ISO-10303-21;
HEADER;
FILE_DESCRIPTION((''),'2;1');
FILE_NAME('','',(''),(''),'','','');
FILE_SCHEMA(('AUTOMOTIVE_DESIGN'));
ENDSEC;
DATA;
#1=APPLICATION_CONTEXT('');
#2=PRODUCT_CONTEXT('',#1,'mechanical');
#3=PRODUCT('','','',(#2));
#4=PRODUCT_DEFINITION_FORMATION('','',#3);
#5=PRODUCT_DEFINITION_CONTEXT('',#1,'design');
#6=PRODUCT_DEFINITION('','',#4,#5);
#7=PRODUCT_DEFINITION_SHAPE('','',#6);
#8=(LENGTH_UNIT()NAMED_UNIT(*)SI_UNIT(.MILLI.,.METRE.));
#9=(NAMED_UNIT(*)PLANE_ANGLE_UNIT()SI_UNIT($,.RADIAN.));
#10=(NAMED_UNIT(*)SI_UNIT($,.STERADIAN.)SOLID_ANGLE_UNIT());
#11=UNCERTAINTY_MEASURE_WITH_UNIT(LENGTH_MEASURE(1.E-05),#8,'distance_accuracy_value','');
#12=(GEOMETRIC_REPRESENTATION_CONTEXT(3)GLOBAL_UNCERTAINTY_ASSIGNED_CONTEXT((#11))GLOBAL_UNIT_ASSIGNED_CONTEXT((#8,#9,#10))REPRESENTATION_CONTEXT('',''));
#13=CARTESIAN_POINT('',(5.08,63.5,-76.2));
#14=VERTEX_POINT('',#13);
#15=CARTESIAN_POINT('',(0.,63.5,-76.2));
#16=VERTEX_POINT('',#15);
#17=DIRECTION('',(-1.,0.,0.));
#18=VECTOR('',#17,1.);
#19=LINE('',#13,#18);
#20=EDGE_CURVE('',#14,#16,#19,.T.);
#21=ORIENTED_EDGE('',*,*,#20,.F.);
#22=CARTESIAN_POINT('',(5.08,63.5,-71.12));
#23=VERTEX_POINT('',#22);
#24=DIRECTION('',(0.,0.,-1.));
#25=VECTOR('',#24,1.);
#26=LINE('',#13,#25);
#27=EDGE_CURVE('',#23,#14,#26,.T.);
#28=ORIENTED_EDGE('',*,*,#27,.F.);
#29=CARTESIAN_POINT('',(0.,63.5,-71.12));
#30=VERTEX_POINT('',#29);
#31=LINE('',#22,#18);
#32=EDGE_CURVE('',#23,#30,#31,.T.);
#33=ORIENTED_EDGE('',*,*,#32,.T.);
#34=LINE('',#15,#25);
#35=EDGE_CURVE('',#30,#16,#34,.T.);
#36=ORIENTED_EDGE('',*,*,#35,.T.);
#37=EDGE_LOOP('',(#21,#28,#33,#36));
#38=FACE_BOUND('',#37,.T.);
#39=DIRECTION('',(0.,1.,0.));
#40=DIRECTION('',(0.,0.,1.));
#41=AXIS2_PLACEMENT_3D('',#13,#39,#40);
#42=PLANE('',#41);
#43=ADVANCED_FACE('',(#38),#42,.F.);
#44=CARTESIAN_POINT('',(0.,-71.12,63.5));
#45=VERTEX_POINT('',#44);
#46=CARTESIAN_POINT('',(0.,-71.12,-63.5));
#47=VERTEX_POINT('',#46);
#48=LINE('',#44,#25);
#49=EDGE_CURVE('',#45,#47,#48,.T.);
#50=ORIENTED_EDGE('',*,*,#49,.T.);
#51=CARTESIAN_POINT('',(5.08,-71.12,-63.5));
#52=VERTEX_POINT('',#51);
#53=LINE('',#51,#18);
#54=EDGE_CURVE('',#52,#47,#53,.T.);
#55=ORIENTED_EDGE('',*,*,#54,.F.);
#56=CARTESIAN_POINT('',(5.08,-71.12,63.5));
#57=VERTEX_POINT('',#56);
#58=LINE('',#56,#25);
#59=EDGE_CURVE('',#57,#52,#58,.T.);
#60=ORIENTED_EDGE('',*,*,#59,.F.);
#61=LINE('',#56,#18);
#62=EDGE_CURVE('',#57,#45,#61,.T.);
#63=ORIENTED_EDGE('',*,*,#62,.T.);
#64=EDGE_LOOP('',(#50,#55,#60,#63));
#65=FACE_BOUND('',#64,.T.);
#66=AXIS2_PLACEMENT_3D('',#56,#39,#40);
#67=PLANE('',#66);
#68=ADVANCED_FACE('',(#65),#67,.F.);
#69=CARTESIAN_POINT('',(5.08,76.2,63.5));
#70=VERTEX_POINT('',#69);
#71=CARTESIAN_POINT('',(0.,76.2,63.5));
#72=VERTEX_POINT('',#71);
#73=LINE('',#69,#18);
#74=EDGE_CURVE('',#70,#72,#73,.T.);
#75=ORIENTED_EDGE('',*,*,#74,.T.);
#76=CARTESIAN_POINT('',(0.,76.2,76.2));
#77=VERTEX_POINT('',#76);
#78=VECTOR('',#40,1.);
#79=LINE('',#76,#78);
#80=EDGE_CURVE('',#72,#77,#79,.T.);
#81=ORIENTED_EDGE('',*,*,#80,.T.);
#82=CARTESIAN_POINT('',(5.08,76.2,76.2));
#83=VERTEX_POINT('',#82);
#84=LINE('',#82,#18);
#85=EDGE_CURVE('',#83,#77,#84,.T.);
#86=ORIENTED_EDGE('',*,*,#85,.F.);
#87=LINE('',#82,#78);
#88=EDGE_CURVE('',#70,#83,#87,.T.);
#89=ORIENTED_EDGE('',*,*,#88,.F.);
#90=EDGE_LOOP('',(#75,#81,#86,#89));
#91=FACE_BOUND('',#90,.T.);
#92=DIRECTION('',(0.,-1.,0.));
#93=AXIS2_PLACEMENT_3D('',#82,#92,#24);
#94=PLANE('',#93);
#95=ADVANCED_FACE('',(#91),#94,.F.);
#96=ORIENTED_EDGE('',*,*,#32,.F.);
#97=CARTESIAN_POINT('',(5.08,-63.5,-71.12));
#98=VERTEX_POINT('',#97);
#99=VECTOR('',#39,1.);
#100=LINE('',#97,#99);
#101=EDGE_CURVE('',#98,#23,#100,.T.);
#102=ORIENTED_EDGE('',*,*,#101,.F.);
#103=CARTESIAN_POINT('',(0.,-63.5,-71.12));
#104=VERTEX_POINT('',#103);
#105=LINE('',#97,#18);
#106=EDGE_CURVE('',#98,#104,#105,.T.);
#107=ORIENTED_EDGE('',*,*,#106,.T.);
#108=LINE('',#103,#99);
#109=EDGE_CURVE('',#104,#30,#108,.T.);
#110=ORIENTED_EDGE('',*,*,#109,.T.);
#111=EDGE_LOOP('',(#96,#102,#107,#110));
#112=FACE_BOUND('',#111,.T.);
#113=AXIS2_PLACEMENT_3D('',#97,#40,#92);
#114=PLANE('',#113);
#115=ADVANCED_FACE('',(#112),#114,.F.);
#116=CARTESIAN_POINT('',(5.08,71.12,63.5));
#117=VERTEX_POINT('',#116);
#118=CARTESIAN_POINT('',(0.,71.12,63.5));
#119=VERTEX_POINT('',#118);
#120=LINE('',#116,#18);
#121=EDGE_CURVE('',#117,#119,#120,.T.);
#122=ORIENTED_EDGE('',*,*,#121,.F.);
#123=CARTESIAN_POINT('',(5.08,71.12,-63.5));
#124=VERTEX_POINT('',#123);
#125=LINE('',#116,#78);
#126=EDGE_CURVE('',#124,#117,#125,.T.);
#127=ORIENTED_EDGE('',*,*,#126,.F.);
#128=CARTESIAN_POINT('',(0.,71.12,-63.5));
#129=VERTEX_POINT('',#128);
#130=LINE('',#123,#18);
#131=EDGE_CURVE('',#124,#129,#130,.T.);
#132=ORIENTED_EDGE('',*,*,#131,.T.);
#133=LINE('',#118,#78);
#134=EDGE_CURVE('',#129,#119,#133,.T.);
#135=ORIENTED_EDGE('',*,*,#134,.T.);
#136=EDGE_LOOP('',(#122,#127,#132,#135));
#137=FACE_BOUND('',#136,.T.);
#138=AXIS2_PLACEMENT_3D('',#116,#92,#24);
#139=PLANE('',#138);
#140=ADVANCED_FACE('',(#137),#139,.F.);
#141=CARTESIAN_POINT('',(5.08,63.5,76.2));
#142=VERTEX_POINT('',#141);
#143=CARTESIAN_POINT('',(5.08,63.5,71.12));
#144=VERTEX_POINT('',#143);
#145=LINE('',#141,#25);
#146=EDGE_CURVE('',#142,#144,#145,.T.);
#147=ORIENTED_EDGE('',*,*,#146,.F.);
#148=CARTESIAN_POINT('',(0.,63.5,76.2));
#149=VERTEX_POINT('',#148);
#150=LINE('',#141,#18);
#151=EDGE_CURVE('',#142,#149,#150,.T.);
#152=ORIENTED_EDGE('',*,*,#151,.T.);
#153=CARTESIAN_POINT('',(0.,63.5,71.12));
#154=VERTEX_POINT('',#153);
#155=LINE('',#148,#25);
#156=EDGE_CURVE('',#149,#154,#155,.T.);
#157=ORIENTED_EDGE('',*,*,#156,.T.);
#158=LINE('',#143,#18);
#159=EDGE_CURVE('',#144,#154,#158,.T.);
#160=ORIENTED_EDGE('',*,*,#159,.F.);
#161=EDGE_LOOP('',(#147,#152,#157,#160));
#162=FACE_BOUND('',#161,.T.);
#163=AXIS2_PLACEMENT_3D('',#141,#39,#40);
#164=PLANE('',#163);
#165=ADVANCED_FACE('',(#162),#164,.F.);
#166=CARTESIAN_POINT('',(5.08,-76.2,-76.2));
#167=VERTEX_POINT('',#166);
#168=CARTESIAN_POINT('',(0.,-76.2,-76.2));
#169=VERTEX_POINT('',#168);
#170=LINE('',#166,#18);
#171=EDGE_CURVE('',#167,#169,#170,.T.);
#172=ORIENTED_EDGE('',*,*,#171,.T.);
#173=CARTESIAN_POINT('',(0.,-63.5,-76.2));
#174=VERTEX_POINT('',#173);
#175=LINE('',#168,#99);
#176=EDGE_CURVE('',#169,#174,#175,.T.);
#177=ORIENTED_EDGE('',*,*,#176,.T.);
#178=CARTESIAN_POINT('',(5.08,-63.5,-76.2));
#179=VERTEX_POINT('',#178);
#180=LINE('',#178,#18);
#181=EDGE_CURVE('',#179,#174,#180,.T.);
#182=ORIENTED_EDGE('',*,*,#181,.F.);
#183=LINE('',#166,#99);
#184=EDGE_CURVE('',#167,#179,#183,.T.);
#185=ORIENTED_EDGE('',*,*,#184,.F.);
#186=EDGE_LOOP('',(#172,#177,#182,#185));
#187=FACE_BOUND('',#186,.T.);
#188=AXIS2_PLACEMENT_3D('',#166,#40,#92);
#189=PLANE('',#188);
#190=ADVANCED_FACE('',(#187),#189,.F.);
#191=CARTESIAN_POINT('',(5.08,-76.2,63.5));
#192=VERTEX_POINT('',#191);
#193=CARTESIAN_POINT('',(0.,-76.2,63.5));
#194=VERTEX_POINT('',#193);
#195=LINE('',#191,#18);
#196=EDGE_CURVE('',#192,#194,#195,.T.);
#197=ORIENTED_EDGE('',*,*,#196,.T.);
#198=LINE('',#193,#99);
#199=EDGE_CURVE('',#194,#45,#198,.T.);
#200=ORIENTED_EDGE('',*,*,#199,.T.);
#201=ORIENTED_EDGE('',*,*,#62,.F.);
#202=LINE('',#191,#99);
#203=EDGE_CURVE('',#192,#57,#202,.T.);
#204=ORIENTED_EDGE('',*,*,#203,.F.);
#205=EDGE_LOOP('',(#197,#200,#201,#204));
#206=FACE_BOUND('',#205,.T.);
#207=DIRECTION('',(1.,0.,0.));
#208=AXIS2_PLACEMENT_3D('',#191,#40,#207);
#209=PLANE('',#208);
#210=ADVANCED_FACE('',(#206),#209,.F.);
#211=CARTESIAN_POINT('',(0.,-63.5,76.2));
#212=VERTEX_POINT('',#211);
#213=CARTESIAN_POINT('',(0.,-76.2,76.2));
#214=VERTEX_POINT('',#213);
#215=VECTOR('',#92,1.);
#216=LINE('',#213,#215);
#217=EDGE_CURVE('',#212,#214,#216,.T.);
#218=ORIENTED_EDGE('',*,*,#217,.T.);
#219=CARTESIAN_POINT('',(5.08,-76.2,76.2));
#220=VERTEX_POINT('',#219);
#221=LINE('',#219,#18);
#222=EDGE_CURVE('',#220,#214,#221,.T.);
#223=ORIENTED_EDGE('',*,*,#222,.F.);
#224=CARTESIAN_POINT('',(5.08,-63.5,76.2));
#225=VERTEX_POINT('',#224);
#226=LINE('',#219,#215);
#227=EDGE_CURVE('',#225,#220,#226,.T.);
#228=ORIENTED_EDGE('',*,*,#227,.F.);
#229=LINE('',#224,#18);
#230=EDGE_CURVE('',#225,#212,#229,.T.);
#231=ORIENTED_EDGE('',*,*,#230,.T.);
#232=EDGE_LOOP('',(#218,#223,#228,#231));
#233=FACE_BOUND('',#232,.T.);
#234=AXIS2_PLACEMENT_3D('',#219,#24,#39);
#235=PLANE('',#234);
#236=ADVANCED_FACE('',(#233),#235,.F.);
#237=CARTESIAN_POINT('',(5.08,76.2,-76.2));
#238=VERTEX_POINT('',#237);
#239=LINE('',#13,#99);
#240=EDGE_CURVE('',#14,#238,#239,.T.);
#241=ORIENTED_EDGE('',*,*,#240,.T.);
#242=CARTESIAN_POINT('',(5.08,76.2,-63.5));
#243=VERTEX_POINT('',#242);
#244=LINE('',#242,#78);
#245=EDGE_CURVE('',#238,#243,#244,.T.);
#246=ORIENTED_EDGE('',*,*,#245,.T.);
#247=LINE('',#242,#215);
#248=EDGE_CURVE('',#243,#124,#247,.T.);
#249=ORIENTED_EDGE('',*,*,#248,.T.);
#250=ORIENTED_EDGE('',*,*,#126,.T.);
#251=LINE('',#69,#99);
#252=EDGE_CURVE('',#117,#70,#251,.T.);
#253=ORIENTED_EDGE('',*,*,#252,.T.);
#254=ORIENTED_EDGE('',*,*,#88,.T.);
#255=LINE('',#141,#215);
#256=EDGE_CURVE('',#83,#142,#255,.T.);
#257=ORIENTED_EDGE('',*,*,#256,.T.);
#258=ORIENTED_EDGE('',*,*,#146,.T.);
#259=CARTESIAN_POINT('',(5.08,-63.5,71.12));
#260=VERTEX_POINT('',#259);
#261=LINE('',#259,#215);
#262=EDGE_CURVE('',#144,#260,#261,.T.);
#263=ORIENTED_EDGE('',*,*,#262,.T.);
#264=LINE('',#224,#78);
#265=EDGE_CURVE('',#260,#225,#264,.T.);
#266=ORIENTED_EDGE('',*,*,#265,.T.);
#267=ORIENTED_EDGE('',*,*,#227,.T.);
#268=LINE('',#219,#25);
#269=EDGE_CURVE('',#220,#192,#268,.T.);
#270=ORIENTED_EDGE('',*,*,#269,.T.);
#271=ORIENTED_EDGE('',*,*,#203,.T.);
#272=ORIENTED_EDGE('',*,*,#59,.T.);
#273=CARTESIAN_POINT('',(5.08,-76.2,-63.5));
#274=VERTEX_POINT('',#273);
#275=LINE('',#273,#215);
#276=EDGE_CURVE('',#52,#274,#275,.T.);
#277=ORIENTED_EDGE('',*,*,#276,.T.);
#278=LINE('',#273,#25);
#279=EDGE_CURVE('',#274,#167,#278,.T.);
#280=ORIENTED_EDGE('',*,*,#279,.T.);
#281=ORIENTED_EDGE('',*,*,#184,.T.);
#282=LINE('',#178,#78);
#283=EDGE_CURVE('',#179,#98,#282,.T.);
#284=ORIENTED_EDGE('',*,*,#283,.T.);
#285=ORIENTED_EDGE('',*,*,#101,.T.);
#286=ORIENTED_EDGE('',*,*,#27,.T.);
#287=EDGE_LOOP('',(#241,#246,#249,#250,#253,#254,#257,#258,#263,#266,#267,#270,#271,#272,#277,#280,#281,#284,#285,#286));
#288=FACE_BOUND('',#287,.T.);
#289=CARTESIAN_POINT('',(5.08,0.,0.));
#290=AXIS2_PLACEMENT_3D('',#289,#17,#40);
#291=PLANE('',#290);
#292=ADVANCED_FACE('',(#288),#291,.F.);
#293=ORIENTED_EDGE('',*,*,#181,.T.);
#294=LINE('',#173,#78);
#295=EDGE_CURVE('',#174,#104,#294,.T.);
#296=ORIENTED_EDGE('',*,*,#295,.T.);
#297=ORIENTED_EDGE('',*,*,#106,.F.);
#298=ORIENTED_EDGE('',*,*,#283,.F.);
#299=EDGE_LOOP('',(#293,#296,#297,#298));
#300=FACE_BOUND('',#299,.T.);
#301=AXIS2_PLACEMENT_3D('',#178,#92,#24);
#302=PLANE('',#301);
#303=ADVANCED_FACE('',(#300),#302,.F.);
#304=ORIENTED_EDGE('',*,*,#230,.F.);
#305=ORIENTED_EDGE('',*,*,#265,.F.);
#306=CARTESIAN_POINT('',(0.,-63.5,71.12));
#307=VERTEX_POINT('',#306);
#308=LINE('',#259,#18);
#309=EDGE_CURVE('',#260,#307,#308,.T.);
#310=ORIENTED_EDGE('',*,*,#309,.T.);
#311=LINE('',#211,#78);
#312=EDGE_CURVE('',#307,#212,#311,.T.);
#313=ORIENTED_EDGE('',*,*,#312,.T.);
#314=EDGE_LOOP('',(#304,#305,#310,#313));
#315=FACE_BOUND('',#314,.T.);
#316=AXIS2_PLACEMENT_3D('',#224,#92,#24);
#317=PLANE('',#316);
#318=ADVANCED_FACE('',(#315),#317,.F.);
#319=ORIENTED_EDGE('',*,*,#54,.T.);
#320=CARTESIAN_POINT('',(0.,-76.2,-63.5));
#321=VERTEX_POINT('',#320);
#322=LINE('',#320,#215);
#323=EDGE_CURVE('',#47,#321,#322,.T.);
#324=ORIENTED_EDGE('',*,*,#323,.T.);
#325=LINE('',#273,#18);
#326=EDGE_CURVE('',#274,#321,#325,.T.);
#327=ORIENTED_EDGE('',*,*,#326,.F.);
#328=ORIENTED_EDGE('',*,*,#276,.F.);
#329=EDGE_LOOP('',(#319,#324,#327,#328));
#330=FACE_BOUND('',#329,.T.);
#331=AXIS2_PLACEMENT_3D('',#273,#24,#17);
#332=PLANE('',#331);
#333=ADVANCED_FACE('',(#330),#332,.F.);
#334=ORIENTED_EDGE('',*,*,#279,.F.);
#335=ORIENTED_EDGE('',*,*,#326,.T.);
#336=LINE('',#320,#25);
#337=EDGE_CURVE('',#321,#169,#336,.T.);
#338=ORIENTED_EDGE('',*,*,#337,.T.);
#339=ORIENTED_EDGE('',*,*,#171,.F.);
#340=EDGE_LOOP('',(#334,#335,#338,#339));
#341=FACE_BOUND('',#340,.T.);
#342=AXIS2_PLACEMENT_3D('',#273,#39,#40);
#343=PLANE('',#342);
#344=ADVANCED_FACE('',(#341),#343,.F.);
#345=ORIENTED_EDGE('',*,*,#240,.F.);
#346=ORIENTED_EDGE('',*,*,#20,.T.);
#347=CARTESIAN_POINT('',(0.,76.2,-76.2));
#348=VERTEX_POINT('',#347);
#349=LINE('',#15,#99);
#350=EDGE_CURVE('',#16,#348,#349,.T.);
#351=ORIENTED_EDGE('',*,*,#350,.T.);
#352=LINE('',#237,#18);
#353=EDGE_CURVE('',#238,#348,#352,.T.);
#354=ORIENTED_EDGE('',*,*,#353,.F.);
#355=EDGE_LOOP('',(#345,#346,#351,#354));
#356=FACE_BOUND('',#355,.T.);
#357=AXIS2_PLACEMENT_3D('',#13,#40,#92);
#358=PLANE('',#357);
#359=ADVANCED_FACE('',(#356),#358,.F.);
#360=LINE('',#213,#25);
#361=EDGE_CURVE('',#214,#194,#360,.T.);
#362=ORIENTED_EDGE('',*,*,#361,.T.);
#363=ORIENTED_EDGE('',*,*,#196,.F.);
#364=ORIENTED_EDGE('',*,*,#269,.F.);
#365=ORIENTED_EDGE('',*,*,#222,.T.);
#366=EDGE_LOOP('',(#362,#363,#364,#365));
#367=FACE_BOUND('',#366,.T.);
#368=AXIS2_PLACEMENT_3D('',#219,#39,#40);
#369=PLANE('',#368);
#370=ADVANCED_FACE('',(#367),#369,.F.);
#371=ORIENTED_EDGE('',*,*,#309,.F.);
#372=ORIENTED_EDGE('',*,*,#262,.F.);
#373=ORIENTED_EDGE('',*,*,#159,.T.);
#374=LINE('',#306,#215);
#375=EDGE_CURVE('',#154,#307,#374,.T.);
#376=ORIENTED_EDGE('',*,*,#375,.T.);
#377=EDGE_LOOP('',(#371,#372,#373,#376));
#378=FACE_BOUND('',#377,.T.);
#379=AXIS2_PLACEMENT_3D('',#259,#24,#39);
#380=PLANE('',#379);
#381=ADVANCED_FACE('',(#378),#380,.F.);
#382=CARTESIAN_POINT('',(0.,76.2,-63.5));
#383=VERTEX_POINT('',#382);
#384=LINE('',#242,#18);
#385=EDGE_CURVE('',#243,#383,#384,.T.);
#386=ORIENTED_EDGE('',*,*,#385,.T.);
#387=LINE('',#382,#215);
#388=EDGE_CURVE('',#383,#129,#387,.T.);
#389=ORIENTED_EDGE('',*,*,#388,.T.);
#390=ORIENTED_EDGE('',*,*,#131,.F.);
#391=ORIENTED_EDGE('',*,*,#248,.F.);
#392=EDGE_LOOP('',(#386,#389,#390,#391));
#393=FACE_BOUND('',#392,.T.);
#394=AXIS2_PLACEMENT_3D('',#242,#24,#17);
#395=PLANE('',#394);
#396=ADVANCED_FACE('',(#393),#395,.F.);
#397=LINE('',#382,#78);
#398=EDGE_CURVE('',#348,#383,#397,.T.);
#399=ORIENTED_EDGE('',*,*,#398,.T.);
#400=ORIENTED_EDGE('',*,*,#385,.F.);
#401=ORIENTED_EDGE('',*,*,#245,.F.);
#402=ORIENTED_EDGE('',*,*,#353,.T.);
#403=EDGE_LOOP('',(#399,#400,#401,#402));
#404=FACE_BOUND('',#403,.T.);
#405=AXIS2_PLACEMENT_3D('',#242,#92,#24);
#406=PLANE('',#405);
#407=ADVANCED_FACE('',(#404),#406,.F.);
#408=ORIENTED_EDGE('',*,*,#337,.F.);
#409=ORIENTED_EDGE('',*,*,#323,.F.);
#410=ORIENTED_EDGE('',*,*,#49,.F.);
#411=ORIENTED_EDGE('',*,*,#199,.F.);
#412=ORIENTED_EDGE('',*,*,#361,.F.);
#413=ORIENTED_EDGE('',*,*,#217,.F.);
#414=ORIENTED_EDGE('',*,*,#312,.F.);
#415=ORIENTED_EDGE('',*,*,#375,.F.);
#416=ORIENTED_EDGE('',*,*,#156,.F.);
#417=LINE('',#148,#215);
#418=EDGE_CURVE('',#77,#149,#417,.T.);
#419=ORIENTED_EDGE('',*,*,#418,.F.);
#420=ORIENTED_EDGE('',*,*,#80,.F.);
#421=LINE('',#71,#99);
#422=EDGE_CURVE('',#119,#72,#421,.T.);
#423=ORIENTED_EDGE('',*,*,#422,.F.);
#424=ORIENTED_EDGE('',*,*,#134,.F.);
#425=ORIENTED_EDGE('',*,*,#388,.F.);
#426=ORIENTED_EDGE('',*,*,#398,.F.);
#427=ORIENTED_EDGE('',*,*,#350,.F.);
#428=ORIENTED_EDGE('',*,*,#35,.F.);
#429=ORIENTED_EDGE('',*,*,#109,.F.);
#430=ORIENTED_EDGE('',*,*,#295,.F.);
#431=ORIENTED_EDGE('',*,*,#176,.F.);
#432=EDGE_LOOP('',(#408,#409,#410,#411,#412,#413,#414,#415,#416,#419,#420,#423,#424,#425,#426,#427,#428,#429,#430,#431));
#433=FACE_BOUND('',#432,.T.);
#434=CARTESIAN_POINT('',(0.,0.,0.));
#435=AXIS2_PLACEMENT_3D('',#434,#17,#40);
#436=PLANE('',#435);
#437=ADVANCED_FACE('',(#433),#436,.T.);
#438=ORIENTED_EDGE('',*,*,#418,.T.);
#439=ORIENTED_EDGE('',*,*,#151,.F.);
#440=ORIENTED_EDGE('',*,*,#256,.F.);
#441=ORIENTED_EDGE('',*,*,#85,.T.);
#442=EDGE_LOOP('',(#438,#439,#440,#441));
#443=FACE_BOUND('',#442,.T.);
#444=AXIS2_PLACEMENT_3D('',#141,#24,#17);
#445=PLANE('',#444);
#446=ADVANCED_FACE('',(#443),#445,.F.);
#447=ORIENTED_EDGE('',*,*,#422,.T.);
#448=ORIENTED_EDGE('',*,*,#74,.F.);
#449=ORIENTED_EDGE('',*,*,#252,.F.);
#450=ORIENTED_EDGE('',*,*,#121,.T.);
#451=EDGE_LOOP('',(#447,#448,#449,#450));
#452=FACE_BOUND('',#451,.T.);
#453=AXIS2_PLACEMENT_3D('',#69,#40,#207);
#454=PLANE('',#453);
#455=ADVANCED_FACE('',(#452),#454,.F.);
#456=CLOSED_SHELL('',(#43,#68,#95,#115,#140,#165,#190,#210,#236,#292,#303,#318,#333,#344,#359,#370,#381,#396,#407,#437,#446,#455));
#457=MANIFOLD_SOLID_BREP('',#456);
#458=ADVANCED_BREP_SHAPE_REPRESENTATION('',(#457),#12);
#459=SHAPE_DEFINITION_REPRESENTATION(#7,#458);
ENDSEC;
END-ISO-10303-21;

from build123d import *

# Parameters (mm, degrees)
BOSS_EXTRUDE1_DEPTH = 5.08


with BuildPart() as part:
    # Sketch1 → Boss-Extrude1 (new body)
    with BuildSketch(Plane(origin=(0, 0, 0), x_dir=(0, 0, -1), z_dir=(1, 0, 0))):
        Polygon((-63.5, 71.12), (63.5, 71.12), (63.5, 76.2), (76.2, 76.2), (76.2, 63.5), (71.12, 63.5), (71.12, -63.5), (76.2, -63.5), (76.2, -76.2), (63.5, -76.2), (63.5, -71.12), (-63.5, -71.12), (-63.5, -76.2), (-76.2, -76.2), (-76.2, -63.5), (-71.12, -63.5), (-71.12, 63.5), (-76.2, 63.5), (-76.2, 76.2), (-63.5, 76.2), align=None)
    extrude(amount=BOSS_EXTRUDE1_DEPTH)


solid = part.part
